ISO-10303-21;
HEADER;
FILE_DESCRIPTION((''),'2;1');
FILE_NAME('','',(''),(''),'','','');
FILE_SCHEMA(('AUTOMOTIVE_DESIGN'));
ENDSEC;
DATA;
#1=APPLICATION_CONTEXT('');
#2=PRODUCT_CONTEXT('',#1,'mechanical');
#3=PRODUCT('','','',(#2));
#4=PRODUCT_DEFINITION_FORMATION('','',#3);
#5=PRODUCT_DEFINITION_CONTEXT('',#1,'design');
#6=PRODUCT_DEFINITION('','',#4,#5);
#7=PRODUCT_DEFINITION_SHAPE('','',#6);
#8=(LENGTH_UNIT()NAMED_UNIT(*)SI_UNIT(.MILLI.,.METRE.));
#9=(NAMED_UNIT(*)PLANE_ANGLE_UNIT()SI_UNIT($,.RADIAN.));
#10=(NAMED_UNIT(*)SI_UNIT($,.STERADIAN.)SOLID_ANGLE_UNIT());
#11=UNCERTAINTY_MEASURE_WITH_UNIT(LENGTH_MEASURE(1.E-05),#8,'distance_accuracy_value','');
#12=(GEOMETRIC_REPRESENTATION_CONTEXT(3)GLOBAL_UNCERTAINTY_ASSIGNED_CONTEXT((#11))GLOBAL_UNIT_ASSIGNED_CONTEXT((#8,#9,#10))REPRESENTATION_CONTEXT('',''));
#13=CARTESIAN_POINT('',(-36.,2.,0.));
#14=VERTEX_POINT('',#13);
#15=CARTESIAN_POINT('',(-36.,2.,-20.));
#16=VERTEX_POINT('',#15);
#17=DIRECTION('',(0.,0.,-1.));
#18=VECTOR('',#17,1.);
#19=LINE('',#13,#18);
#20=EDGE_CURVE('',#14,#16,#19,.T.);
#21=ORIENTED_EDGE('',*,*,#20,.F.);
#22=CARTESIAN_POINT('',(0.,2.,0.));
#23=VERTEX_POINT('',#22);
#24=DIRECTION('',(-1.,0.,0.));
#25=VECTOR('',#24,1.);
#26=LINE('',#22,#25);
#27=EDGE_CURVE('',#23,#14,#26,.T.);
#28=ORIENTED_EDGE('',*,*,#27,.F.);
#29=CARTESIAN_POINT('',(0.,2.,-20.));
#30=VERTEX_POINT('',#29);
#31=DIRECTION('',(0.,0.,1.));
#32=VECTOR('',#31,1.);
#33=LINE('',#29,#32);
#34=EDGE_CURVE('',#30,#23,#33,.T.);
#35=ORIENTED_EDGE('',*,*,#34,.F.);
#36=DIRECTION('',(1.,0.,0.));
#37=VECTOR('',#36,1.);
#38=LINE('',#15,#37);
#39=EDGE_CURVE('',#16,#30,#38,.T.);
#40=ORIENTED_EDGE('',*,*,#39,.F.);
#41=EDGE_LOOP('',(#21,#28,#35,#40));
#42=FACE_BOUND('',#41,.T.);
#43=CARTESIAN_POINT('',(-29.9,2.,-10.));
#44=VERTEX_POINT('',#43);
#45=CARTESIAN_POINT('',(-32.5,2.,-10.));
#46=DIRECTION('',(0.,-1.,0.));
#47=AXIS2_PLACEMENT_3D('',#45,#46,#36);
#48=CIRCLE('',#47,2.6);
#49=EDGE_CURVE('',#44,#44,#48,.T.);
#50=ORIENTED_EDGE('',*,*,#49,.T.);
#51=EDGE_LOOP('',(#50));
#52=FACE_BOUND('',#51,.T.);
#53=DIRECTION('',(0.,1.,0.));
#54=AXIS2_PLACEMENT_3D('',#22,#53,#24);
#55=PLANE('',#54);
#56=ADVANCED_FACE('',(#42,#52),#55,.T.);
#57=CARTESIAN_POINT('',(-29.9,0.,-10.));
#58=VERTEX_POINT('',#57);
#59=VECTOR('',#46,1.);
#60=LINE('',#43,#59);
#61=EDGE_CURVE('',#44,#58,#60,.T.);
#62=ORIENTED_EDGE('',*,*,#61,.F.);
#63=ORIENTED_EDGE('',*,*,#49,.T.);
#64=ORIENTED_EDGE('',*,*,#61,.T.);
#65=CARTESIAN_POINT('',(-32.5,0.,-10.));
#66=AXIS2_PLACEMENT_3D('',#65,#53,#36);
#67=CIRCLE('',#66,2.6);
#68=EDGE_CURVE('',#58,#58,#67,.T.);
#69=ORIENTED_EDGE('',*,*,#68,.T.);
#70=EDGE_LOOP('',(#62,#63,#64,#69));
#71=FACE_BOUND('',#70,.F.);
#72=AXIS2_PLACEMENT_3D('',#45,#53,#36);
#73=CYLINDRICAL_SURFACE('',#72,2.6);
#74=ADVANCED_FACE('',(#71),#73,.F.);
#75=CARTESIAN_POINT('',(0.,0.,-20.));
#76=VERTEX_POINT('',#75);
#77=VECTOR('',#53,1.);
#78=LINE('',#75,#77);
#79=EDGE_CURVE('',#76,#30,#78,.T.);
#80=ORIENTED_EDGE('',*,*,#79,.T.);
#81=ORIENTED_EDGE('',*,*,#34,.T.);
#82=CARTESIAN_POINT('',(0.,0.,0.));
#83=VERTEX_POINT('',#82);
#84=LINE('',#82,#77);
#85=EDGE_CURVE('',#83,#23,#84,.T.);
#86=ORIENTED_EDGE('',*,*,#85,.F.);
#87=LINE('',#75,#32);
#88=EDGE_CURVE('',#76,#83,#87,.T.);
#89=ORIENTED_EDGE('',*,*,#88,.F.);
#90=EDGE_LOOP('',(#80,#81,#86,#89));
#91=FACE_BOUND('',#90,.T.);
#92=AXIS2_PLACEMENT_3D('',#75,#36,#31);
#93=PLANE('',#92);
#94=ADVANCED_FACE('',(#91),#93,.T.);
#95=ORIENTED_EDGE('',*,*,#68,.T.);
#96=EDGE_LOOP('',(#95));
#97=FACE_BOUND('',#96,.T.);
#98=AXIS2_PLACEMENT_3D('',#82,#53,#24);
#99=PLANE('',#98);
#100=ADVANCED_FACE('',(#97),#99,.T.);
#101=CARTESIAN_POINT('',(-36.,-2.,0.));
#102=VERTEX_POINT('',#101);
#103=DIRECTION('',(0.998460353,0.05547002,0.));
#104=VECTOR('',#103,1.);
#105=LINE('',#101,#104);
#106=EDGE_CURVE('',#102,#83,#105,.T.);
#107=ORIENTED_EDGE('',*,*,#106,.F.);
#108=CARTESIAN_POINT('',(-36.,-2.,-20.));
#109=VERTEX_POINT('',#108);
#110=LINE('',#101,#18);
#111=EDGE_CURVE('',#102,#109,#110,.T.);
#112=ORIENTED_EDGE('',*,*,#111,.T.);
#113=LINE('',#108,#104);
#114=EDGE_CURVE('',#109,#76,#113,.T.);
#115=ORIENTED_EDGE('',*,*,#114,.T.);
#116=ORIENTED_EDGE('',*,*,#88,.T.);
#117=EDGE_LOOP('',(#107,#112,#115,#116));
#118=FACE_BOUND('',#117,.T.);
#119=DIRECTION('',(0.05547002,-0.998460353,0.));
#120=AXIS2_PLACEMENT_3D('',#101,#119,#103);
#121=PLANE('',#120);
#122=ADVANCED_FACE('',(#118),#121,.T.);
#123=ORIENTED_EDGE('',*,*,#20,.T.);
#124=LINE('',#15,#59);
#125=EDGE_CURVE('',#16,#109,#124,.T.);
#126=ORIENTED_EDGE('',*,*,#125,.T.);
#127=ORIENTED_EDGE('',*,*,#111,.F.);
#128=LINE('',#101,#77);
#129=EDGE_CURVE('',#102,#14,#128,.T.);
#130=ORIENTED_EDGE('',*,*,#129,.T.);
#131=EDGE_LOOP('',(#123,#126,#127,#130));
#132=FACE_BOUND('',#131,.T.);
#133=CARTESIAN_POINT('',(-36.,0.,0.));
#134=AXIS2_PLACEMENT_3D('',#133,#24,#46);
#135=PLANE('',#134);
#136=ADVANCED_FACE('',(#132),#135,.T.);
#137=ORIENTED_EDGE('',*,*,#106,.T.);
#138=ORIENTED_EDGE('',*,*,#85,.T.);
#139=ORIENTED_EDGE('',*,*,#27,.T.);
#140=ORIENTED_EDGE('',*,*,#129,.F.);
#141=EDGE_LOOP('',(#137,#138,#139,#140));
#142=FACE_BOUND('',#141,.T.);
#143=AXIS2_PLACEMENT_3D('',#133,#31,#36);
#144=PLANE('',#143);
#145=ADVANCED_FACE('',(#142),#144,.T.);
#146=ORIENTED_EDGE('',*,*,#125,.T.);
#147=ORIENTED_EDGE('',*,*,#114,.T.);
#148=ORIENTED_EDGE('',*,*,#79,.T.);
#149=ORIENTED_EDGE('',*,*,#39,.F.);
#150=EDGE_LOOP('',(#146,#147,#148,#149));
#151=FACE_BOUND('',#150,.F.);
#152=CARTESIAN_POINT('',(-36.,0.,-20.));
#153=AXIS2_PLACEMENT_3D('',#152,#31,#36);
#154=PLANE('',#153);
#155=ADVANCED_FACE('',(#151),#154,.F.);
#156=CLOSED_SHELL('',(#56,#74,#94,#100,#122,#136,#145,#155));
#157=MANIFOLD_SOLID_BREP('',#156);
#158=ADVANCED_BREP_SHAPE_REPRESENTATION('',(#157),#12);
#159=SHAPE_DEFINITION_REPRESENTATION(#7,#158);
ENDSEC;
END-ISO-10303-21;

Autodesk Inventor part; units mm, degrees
ref_plane "YZ Plane" through (0, 0, 0) normal (1, 0, 0) x (0, 1, 0)
ref_plane "XZ Plane" through (0, 0, 0) normal (0, 1, 0) x (-1, 0, 0)
ref_plane "XY Plane" through (0, 0, 0) normal (0, 0, 1) x (1, 0, 0)
sketch "Sketch1" plane through (0, 0, 0) normal (0, 1, 0) x (-1, 0, 0)
  line L0 (0, 0) -> (36, 0)
  line L1 (36, 0) -> (36, -20)
  line L2 (36, -20) -> (0, -20)
  line L3 (0, -20) -> (0, 0)
  dimension "d0" = 36
  dimension "d1" = 20
extrude "Extrusion1" add sketch "Sketch1" along normal blind 2
sketch "Sketch2" plane through (0, 2, 0) normal (0, 1, 0) x (1, 0, 0)
  line L0 (-36, 20) -> (-36, 0) projected
  line L1 (-36, 10) -> (-32.5, 10)
  circle A0 centre (-32.5, 10) radius 2.6
  point P0 (0, 0)
  dimension "d4" = 3.5
  dimension "d5" = 5.2
extrude "Extrusion2" cut sketch "Sketch2" against normal blind 2
sketch "Sketch3" plane through (-36, 0, 0) normal (0, 0, 1) x (1, 0, 0)
  line L0 (36, 0) -> (0, 0) projected
  line L1 (0, 0) -> (0, -2)
  line L2 (0, -2) -> (36, 0)
  dimension "d8" = 2
extrude "Extrusion3" add sketch "Sketch3" against normal up to surface (20 mm away)
properties part number "opakowanie"
